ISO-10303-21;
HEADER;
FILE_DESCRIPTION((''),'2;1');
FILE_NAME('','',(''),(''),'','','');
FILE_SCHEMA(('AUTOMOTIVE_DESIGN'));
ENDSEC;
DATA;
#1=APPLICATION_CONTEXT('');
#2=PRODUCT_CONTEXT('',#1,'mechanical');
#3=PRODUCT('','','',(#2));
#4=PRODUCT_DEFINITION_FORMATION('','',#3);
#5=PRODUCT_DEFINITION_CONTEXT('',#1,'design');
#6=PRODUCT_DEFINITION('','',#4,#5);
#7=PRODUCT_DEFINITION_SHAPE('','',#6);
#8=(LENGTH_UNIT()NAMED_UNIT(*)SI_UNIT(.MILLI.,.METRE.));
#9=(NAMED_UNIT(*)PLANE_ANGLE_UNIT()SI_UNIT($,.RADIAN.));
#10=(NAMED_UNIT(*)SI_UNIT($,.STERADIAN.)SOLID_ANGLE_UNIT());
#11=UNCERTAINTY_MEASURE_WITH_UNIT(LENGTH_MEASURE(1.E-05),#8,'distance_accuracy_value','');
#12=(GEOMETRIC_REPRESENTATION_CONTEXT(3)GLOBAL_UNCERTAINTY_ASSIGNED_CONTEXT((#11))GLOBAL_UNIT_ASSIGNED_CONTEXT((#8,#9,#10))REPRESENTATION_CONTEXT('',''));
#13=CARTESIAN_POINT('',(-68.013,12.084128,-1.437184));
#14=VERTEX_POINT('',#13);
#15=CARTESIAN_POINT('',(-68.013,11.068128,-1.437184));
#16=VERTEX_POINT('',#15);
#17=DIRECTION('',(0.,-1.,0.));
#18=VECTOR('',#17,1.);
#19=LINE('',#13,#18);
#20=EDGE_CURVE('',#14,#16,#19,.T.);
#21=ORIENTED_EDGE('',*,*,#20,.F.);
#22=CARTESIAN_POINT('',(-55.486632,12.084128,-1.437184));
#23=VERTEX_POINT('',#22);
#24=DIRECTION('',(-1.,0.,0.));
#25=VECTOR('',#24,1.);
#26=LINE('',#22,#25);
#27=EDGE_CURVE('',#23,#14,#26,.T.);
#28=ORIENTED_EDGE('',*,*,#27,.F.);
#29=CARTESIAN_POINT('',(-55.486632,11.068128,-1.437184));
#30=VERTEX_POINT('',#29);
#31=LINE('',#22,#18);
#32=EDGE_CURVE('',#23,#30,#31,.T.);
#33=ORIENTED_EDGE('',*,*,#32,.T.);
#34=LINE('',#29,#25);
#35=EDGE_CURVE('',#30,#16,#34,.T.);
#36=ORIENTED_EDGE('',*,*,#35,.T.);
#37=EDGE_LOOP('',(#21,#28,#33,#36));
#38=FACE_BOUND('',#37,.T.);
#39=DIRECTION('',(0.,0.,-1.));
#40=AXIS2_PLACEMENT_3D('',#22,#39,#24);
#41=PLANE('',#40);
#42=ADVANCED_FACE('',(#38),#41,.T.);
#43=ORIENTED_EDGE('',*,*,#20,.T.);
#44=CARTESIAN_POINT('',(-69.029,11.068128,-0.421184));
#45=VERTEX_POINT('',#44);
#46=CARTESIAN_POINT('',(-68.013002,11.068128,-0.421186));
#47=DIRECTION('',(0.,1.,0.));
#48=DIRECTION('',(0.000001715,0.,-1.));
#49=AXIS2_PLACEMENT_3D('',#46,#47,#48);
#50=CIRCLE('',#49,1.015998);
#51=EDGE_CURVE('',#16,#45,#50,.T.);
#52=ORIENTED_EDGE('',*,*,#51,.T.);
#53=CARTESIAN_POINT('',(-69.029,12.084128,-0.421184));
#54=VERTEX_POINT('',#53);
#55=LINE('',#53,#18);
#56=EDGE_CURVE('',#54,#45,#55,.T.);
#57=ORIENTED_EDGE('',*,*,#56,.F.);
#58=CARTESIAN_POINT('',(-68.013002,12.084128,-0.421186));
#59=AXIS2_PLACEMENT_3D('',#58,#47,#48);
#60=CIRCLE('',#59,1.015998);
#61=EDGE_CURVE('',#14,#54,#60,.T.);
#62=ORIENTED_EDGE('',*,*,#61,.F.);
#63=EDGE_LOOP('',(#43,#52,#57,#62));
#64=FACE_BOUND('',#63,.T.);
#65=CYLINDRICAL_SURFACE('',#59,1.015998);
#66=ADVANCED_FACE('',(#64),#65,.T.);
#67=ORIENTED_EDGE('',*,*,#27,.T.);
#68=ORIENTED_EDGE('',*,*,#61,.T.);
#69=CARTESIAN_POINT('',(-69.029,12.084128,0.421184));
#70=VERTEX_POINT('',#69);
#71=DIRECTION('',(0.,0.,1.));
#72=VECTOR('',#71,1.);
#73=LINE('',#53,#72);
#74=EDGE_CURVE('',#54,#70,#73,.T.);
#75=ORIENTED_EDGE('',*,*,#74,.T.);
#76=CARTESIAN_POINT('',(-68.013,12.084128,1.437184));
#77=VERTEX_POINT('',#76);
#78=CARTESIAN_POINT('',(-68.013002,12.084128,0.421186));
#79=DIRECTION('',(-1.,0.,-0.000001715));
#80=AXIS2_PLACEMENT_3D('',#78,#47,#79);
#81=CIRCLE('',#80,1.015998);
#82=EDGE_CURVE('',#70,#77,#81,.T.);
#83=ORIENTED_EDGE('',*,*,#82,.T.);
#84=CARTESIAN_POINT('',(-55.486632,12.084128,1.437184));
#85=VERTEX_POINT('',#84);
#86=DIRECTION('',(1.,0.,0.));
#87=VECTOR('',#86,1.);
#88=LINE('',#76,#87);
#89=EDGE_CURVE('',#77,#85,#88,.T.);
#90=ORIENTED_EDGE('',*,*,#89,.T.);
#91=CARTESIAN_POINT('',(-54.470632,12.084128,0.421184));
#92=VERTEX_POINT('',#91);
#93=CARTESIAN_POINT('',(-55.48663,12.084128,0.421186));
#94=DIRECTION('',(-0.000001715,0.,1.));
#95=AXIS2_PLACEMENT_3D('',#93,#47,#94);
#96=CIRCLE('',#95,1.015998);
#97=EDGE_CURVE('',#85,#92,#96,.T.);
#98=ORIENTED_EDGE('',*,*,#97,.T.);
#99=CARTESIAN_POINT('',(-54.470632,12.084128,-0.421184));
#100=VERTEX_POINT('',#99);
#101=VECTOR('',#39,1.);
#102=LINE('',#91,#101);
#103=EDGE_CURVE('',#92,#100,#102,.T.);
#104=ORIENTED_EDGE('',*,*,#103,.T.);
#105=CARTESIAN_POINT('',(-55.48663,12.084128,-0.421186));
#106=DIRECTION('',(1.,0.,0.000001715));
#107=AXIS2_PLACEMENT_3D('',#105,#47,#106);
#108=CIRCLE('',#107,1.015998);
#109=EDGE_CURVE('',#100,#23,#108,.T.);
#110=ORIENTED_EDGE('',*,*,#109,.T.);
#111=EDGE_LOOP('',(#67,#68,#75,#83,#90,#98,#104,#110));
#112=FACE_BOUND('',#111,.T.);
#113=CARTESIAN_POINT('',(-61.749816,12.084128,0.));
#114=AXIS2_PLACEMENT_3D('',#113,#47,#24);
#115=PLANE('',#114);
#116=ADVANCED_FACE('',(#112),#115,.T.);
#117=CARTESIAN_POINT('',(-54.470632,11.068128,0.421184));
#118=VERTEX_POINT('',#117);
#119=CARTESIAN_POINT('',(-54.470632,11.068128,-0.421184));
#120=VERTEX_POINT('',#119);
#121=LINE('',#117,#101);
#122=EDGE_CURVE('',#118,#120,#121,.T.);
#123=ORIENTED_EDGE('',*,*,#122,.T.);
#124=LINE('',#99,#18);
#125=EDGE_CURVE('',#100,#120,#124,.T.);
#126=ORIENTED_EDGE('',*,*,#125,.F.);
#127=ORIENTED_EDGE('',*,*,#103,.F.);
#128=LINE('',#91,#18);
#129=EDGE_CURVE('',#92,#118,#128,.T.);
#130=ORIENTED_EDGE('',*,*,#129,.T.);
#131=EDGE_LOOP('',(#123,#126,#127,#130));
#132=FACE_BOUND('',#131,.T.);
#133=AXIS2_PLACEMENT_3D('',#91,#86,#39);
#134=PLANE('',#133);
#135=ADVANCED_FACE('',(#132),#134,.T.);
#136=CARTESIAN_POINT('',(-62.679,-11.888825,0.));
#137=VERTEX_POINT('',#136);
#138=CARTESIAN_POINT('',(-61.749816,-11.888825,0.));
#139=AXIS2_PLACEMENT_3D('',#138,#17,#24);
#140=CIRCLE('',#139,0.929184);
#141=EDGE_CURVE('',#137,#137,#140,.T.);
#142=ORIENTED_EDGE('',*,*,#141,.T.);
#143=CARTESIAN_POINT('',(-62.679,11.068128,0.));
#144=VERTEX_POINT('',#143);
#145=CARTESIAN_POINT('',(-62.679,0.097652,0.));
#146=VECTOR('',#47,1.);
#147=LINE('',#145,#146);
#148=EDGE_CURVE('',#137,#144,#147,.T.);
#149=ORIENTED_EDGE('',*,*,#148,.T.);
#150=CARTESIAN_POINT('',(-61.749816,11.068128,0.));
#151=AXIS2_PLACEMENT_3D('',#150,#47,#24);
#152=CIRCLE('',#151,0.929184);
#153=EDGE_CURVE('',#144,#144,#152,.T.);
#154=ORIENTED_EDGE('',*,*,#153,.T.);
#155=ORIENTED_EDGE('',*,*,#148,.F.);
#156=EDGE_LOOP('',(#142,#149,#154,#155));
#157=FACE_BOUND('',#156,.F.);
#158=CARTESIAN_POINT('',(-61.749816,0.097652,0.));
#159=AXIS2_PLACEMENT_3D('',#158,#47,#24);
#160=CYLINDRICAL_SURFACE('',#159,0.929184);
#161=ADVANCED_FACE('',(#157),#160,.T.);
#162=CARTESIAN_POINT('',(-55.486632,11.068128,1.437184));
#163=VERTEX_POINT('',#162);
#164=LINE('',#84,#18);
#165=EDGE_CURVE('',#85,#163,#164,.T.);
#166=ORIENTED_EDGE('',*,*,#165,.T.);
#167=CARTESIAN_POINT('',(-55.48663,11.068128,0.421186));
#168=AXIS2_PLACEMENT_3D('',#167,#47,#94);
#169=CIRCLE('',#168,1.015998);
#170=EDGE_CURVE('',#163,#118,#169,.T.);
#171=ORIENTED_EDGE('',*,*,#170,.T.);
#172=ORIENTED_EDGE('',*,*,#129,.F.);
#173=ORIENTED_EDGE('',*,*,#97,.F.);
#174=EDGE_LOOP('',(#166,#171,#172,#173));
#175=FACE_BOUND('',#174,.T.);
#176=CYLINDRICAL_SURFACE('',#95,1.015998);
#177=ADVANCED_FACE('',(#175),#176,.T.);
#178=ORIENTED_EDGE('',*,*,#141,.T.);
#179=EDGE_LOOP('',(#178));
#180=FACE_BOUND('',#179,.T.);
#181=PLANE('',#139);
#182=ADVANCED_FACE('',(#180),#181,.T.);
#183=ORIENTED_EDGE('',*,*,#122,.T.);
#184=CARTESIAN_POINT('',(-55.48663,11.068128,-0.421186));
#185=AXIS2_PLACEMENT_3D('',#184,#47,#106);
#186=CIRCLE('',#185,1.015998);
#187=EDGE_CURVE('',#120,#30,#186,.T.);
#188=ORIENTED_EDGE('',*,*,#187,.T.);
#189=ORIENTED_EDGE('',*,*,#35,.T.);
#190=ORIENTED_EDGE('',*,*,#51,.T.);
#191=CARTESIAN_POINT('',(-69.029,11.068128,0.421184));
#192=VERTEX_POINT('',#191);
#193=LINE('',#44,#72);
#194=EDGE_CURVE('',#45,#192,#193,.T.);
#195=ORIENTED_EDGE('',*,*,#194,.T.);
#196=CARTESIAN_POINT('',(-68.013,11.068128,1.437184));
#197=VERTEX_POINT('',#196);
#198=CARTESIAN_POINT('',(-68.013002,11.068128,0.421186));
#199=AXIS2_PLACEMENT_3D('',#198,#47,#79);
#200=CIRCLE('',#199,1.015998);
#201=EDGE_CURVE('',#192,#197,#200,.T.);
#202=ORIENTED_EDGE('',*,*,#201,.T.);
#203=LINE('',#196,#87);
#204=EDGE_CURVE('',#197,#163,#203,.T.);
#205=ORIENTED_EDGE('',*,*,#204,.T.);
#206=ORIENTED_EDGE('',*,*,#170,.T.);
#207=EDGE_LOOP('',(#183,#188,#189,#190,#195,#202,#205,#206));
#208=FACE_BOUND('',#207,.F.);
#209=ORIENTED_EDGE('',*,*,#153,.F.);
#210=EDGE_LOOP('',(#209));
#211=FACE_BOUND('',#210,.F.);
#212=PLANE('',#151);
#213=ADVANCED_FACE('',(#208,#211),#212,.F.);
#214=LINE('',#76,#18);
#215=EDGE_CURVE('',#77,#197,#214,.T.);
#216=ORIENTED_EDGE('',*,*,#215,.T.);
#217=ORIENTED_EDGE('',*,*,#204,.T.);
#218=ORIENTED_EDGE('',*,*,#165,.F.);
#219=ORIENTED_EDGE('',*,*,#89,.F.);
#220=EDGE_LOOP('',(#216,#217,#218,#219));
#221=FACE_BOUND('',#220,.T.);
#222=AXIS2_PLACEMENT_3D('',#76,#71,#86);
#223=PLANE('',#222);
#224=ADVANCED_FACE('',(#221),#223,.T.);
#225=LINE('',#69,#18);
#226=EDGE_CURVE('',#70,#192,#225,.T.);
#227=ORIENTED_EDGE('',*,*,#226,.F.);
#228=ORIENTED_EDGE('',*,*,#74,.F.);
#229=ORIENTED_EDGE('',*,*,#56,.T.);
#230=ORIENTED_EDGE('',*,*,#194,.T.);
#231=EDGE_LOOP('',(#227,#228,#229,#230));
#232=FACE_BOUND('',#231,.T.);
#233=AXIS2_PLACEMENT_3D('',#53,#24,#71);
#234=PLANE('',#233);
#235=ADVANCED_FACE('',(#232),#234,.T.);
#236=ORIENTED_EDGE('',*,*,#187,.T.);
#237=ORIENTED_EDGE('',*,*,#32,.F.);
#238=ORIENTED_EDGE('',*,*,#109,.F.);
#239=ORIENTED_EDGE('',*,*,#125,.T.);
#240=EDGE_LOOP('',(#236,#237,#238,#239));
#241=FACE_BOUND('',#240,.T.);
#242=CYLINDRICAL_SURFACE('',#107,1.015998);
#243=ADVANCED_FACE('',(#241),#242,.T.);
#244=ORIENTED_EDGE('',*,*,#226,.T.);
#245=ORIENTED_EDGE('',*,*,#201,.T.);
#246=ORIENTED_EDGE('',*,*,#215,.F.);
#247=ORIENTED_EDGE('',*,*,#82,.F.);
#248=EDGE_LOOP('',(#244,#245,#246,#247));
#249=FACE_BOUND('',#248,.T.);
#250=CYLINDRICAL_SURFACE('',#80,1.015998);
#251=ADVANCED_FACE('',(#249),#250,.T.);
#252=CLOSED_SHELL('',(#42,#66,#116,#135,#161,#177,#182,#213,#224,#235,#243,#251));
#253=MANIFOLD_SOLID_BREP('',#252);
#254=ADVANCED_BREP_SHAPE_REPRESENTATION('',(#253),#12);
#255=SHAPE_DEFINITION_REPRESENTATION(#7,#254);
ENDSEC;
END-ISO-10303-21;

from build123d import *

# Parameters (mm, degrees)
F0_W     = 0.929184
F0_H     = 23.972953
F3_DEPTH = 1.016


with BuildPart() as f1:
    # F0 (on Top) → F1 (revolve)
    with BuildSketch(Plane.XY):
        with Locations((-62.214408, 0.097652)):
            Rectangle(F0_W, F0_H)
    revolve(axis=Axis((-61.749816, 0.848013, 0), (0, -1, 0)))

    # F2 (on face) → F3 (join)
    with BuildSketch(Plane(origin=(0, 12.084128, 0), x_dir=(-1, 0, 0), z_dir=(0, 1, 0))):
        with BuildLine():
            Line((68.013, 1.437184), (55.486632, 1.437184))
            ThreePointArc((55.486632, 1.437184), (54.768211, 1.139605), (54.470632, 0.421184))
            Line((54.470632, 0.421184), (54.470632, -0.421184))
            ThreePointArc((54.470632, -0.421184), (54.768211, -1.139605), (55.486632, -1.437184))
            Line((55.486632, -1.437184), (68.013, -1.437184))
            ThreePointArc((68.013, -1.437184), (68.731421, -1.139605), (69.029, -0.421184))
            Line((69.029, -0.421184), (69.029, 0.421184))
            ThreePointArc((69.029, 0.421184), (68.731421, 1.139605), (68.013, 1.437184))
        make_face()
    extrude(amount=-F3_DEPTH)


solid = f1.part
